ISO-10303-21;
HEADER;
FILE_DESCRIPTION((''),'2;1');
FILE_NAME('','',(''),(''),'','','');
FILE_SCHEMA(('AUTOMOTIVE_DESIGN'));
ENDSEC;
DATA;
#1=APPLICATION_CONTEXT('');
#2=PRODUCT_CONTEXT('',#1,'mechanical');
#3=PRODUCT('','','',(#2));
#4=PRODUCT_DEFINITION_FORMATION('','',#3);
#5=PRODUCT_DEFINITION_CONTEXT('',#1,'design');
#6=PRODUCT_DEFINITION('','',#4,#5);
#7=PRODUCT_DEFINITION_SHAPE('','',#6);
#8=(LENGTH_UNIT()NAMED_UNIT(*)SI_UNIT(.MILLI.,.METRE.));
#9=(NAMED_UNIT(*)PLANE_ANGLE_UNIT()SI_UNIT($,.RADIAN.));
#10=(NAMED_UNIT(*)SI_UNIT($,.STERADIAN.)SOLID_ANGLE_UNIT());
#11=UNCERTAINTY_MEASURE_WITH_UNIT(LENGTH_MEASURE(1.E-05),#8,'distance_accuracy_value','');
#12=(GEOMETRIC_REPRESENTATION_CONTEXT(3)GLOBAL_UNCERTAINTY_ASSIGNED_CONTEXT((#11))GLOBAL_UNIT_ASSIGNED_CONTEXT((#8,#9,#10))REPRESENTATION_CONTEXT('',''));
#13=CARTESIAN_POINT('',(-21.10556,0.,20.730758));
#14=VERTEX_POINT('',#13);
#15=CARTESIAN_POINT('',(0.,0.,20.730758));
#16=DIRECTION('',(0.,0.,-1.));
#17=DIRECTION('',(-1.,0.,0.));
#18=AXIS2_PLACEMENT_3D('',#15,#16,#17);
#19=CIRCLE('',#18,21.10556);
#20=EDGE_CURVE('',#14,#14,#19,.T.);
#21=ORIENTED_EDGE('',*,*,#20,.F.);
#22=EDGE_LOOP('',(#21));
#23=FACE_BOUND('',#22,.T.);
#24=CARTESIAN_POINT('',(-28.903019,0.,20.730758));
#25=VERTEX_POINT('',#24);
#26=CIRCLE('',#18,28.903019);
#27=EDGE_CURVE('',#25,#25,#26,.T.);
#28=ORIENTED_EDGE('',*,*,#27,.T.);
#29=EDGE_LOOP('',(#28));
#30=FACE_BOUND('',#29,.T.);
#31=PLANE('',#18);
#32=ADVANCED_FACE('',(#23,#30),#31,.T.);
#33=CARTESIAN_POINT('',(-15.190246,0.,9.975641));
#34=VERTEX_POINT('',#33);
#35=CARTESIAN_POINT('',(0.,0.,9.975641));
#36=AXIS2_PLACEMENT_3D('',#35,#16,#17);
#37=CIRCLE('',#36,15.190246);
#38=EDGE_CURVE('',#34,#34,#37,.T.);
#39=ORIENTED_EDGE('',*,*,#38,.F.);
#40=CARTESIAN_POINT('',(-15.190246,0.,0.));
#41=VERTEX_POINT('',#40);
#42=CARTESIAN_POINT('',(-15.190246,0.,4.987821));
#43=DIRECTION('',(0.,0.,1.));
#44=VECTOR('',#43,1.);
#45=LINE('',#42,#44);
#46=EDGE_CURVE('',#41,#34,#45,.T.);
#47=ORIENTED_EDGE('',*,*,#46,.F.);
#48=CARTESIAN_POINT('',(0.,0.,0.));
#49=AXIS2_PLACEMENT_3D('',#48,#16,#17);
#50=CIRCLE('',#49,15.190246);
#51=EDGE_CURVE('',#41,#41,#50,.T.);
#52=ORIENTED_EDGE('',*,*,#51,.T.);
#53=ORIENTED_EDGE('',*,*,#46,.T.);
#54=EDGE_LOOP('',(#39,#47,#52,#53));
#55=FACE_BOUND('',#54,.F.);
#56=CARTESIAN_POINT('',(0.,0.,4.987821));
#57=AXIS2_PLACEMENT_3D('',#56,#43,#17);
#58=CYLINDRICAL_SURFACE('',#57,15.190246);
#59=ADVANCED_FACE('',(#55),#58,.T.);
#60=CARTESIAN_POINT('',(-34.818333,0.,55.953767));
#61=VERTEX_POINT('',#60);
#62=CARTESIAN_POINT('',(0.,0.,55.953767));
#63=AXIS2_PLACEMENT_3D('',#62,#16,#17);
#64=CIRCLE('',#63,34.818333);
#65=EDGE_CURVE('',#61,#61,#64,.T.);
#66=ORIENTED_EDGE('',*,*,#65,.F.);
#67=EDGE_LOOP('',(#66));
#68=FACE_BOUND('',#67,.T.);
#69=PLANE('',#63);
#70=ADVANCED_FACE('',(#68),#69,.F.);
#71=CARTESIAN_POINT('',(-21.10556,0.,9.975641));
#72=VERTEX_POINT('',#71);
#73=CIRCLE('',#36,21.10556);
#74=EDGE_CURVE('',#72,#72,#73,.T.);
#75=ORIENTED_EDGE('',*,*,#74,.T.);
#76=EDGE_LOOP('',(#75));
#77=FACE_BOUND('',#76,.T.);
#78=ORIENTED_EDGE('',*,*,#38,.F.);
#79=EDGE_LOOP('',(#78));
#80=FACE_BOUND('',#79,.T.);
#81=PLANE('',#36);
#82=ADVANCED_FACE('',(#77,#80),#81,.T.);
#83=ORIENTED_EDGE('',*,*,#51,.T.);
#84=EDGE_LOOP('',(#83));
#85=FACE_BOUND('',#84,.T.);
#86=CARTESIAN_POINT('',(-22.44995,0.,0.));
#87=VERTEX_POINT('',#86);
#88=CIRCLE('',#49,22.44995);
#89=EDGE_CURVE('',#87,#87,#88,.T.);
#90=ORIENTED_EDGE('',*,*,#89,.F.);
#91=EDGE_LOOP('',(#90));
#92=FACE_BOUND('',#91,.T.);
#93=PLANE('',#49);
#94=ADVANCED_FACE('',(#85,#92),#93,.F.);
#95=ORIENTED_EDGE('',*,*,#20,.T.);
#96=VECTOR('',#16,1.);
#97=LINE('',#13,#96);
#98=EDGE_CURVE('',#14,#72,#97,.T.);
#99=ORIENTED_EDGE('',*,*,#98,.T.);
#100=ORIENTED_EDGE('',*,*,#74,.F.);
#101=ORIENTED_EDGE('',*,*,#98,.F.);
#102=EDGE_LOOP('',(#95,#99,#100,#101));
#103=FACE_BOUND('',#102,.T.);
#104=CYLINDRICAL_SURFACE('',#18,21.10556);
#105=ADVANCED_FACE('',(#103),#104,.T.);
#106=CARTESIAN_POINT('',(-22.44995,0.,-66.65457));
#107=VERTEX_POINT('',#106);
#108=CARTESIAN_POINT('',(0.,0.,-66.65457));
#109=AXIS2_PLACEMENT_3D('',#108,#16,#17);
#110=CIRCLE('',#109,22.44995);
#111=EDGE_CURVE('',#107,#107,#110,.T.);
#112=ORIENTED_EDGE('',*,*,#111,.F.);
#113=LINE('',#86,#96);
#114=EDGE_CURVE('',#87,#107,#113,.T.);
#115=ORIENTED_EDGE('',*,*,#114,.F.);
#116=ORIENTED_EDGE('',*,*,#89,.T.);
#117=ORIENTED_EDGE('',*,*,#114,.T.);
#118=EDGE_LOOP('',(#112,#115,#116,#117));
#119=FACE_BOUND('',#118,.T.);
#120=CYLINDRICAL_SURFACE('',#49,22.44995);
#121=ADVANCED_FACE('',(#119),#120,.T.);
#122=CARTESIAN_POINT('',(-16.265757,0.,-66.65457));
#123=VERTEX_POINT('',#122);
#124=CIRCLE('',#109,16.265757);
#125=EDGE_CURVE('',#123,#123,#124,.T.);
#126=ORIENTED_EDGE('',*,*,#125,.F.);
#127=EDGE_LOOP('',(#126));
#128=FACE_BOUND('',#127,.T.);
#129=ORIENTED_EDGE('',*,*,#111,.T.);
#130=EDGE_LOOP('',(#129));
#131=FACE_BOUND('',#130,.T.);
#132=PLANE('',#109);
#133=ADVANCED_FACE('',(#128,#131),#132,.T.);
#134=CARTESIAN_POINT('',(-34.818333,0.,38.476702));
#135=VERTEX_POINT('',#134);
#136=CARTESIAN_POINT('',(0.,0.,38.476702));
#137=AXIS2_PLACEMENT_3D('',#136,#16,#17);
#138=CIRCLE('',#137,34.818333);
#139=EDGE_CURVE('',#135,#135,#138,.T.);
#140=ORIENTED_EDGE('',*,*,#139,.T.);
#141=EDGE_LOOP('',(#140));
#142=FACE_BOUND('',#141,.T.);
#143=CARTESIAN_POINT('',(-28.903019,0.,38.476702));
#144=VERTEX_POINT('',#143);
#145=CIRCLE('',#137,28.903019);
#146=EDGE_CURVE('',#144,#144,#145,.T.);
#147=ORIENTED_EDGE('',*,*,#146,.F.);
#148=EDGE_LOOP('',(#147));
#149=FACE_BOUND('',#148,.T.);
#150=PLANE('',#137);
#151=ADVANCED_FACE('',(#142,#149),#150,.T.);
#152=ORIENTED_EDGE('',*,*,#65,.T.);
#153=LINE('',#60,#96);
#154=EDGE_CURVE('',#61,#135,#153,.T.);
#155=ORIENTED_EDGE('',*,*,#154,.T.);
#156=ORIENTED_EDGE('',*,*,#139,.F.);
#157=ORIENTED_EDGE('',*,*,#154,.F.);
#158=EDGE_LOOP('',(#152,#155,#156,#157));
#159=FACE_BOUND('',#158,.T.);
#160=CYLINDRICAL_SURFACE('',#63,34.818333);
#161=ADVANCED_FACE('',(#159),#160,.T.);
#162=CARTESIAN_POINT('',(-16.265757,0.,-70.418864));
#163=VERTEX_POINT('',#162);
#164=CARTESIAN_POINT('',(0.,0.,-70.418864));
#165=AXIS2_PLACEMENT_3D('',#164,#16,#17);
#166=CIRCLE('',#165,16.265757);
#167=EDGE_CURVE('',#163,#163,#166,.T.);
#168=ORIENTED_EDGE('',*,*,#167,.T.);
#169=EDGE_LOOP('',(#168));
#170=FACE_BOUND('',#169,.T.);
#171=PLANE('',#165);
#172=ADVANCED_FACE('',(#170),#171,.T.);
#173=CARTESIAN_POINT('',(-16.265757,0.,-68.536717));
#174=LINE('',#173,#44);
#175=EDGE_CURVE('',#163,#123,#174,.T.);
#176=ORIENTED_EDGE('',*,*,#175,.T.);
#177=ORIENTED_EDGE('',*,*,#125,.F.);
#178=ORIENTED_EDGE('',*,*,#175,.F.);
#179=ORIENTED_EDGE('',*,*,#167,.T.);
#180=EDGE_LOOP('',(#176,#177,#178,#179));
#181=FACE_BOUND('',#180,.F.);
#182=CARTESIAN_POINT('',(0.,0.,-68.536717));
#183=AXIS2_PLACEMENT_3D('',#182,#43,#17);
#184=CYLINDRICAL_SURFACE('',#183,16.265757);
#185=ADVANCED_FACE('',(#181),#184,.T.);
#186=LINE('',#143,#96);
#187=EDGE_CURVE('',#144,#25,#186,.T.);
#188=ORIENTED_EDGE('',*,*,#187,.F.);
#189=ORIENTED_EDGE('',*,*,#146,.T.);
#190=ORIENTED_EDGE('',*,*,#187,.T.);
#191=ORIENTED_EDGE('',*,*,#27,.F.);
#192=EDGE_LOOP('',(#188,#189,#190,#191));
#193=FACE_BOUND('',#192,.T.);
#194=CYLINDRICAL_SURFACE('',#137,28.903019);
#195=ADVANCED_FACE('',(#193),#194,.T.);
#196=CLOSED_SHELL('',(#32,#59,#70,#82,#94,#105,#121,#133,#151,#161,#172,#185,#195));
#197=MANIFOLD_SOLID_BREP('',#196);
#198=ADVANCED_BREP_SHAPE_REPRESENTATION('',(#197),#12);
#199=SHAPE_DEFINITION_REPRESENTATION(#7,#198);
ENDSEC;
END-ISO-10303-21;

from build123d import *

# Parameters (mm, degrees)
F0_W   = 16.2657573819
F0_H   = 3.7642940879
F0_W_2 = 15.1902455837
F0_H_2 = 9.9756410345


with BuildPart() as f1:
    # F0 (on Front) → F1 (revolve)
    with BuildSketch(Plane.XZ):
        Polygon((0, 38.4767018259), (0, 55.9537671506), (-34.8183326423, 55.9537671506), (-34.8183326423, 38.4767018259), (-28.9030186832, 38.4767018259), align=None)
        Polygon((0, 20.7307580858), (0, 38.4767018259), (-28.9030186832, 38.4767018259), (-28.9030186832, 20.7307580858), (-21.1055595428, 20.7307580858), align=None)
        with Locations((-8.132878691, -68.5367174447)):
            Rectangle(F0_W, F0_H)
        Polygon((0, -66.6545704007), (0, 0), (-15.1902455837, 0), (-22.4499497563, 0), (-22.4499497563, -66.6545704007), (-16.2657573819, -66.6545704007), align=None)
        with Locations((-7.5951227918, 4.9878205173)):
            Rectangle(F0_W_2, F0_H_2)
        Polygon((0, 9.9756410345), (0, 20.7307580858), (-21.1055595428, 20.7307580858), (-21.1055595428, 9.9756410345), (-15.1902455837, 9.9756410345), align=None)
    revolve(axis=Axis((0, 0, -74.1831511259), (0, 0, -1)))


solid = f1.part
